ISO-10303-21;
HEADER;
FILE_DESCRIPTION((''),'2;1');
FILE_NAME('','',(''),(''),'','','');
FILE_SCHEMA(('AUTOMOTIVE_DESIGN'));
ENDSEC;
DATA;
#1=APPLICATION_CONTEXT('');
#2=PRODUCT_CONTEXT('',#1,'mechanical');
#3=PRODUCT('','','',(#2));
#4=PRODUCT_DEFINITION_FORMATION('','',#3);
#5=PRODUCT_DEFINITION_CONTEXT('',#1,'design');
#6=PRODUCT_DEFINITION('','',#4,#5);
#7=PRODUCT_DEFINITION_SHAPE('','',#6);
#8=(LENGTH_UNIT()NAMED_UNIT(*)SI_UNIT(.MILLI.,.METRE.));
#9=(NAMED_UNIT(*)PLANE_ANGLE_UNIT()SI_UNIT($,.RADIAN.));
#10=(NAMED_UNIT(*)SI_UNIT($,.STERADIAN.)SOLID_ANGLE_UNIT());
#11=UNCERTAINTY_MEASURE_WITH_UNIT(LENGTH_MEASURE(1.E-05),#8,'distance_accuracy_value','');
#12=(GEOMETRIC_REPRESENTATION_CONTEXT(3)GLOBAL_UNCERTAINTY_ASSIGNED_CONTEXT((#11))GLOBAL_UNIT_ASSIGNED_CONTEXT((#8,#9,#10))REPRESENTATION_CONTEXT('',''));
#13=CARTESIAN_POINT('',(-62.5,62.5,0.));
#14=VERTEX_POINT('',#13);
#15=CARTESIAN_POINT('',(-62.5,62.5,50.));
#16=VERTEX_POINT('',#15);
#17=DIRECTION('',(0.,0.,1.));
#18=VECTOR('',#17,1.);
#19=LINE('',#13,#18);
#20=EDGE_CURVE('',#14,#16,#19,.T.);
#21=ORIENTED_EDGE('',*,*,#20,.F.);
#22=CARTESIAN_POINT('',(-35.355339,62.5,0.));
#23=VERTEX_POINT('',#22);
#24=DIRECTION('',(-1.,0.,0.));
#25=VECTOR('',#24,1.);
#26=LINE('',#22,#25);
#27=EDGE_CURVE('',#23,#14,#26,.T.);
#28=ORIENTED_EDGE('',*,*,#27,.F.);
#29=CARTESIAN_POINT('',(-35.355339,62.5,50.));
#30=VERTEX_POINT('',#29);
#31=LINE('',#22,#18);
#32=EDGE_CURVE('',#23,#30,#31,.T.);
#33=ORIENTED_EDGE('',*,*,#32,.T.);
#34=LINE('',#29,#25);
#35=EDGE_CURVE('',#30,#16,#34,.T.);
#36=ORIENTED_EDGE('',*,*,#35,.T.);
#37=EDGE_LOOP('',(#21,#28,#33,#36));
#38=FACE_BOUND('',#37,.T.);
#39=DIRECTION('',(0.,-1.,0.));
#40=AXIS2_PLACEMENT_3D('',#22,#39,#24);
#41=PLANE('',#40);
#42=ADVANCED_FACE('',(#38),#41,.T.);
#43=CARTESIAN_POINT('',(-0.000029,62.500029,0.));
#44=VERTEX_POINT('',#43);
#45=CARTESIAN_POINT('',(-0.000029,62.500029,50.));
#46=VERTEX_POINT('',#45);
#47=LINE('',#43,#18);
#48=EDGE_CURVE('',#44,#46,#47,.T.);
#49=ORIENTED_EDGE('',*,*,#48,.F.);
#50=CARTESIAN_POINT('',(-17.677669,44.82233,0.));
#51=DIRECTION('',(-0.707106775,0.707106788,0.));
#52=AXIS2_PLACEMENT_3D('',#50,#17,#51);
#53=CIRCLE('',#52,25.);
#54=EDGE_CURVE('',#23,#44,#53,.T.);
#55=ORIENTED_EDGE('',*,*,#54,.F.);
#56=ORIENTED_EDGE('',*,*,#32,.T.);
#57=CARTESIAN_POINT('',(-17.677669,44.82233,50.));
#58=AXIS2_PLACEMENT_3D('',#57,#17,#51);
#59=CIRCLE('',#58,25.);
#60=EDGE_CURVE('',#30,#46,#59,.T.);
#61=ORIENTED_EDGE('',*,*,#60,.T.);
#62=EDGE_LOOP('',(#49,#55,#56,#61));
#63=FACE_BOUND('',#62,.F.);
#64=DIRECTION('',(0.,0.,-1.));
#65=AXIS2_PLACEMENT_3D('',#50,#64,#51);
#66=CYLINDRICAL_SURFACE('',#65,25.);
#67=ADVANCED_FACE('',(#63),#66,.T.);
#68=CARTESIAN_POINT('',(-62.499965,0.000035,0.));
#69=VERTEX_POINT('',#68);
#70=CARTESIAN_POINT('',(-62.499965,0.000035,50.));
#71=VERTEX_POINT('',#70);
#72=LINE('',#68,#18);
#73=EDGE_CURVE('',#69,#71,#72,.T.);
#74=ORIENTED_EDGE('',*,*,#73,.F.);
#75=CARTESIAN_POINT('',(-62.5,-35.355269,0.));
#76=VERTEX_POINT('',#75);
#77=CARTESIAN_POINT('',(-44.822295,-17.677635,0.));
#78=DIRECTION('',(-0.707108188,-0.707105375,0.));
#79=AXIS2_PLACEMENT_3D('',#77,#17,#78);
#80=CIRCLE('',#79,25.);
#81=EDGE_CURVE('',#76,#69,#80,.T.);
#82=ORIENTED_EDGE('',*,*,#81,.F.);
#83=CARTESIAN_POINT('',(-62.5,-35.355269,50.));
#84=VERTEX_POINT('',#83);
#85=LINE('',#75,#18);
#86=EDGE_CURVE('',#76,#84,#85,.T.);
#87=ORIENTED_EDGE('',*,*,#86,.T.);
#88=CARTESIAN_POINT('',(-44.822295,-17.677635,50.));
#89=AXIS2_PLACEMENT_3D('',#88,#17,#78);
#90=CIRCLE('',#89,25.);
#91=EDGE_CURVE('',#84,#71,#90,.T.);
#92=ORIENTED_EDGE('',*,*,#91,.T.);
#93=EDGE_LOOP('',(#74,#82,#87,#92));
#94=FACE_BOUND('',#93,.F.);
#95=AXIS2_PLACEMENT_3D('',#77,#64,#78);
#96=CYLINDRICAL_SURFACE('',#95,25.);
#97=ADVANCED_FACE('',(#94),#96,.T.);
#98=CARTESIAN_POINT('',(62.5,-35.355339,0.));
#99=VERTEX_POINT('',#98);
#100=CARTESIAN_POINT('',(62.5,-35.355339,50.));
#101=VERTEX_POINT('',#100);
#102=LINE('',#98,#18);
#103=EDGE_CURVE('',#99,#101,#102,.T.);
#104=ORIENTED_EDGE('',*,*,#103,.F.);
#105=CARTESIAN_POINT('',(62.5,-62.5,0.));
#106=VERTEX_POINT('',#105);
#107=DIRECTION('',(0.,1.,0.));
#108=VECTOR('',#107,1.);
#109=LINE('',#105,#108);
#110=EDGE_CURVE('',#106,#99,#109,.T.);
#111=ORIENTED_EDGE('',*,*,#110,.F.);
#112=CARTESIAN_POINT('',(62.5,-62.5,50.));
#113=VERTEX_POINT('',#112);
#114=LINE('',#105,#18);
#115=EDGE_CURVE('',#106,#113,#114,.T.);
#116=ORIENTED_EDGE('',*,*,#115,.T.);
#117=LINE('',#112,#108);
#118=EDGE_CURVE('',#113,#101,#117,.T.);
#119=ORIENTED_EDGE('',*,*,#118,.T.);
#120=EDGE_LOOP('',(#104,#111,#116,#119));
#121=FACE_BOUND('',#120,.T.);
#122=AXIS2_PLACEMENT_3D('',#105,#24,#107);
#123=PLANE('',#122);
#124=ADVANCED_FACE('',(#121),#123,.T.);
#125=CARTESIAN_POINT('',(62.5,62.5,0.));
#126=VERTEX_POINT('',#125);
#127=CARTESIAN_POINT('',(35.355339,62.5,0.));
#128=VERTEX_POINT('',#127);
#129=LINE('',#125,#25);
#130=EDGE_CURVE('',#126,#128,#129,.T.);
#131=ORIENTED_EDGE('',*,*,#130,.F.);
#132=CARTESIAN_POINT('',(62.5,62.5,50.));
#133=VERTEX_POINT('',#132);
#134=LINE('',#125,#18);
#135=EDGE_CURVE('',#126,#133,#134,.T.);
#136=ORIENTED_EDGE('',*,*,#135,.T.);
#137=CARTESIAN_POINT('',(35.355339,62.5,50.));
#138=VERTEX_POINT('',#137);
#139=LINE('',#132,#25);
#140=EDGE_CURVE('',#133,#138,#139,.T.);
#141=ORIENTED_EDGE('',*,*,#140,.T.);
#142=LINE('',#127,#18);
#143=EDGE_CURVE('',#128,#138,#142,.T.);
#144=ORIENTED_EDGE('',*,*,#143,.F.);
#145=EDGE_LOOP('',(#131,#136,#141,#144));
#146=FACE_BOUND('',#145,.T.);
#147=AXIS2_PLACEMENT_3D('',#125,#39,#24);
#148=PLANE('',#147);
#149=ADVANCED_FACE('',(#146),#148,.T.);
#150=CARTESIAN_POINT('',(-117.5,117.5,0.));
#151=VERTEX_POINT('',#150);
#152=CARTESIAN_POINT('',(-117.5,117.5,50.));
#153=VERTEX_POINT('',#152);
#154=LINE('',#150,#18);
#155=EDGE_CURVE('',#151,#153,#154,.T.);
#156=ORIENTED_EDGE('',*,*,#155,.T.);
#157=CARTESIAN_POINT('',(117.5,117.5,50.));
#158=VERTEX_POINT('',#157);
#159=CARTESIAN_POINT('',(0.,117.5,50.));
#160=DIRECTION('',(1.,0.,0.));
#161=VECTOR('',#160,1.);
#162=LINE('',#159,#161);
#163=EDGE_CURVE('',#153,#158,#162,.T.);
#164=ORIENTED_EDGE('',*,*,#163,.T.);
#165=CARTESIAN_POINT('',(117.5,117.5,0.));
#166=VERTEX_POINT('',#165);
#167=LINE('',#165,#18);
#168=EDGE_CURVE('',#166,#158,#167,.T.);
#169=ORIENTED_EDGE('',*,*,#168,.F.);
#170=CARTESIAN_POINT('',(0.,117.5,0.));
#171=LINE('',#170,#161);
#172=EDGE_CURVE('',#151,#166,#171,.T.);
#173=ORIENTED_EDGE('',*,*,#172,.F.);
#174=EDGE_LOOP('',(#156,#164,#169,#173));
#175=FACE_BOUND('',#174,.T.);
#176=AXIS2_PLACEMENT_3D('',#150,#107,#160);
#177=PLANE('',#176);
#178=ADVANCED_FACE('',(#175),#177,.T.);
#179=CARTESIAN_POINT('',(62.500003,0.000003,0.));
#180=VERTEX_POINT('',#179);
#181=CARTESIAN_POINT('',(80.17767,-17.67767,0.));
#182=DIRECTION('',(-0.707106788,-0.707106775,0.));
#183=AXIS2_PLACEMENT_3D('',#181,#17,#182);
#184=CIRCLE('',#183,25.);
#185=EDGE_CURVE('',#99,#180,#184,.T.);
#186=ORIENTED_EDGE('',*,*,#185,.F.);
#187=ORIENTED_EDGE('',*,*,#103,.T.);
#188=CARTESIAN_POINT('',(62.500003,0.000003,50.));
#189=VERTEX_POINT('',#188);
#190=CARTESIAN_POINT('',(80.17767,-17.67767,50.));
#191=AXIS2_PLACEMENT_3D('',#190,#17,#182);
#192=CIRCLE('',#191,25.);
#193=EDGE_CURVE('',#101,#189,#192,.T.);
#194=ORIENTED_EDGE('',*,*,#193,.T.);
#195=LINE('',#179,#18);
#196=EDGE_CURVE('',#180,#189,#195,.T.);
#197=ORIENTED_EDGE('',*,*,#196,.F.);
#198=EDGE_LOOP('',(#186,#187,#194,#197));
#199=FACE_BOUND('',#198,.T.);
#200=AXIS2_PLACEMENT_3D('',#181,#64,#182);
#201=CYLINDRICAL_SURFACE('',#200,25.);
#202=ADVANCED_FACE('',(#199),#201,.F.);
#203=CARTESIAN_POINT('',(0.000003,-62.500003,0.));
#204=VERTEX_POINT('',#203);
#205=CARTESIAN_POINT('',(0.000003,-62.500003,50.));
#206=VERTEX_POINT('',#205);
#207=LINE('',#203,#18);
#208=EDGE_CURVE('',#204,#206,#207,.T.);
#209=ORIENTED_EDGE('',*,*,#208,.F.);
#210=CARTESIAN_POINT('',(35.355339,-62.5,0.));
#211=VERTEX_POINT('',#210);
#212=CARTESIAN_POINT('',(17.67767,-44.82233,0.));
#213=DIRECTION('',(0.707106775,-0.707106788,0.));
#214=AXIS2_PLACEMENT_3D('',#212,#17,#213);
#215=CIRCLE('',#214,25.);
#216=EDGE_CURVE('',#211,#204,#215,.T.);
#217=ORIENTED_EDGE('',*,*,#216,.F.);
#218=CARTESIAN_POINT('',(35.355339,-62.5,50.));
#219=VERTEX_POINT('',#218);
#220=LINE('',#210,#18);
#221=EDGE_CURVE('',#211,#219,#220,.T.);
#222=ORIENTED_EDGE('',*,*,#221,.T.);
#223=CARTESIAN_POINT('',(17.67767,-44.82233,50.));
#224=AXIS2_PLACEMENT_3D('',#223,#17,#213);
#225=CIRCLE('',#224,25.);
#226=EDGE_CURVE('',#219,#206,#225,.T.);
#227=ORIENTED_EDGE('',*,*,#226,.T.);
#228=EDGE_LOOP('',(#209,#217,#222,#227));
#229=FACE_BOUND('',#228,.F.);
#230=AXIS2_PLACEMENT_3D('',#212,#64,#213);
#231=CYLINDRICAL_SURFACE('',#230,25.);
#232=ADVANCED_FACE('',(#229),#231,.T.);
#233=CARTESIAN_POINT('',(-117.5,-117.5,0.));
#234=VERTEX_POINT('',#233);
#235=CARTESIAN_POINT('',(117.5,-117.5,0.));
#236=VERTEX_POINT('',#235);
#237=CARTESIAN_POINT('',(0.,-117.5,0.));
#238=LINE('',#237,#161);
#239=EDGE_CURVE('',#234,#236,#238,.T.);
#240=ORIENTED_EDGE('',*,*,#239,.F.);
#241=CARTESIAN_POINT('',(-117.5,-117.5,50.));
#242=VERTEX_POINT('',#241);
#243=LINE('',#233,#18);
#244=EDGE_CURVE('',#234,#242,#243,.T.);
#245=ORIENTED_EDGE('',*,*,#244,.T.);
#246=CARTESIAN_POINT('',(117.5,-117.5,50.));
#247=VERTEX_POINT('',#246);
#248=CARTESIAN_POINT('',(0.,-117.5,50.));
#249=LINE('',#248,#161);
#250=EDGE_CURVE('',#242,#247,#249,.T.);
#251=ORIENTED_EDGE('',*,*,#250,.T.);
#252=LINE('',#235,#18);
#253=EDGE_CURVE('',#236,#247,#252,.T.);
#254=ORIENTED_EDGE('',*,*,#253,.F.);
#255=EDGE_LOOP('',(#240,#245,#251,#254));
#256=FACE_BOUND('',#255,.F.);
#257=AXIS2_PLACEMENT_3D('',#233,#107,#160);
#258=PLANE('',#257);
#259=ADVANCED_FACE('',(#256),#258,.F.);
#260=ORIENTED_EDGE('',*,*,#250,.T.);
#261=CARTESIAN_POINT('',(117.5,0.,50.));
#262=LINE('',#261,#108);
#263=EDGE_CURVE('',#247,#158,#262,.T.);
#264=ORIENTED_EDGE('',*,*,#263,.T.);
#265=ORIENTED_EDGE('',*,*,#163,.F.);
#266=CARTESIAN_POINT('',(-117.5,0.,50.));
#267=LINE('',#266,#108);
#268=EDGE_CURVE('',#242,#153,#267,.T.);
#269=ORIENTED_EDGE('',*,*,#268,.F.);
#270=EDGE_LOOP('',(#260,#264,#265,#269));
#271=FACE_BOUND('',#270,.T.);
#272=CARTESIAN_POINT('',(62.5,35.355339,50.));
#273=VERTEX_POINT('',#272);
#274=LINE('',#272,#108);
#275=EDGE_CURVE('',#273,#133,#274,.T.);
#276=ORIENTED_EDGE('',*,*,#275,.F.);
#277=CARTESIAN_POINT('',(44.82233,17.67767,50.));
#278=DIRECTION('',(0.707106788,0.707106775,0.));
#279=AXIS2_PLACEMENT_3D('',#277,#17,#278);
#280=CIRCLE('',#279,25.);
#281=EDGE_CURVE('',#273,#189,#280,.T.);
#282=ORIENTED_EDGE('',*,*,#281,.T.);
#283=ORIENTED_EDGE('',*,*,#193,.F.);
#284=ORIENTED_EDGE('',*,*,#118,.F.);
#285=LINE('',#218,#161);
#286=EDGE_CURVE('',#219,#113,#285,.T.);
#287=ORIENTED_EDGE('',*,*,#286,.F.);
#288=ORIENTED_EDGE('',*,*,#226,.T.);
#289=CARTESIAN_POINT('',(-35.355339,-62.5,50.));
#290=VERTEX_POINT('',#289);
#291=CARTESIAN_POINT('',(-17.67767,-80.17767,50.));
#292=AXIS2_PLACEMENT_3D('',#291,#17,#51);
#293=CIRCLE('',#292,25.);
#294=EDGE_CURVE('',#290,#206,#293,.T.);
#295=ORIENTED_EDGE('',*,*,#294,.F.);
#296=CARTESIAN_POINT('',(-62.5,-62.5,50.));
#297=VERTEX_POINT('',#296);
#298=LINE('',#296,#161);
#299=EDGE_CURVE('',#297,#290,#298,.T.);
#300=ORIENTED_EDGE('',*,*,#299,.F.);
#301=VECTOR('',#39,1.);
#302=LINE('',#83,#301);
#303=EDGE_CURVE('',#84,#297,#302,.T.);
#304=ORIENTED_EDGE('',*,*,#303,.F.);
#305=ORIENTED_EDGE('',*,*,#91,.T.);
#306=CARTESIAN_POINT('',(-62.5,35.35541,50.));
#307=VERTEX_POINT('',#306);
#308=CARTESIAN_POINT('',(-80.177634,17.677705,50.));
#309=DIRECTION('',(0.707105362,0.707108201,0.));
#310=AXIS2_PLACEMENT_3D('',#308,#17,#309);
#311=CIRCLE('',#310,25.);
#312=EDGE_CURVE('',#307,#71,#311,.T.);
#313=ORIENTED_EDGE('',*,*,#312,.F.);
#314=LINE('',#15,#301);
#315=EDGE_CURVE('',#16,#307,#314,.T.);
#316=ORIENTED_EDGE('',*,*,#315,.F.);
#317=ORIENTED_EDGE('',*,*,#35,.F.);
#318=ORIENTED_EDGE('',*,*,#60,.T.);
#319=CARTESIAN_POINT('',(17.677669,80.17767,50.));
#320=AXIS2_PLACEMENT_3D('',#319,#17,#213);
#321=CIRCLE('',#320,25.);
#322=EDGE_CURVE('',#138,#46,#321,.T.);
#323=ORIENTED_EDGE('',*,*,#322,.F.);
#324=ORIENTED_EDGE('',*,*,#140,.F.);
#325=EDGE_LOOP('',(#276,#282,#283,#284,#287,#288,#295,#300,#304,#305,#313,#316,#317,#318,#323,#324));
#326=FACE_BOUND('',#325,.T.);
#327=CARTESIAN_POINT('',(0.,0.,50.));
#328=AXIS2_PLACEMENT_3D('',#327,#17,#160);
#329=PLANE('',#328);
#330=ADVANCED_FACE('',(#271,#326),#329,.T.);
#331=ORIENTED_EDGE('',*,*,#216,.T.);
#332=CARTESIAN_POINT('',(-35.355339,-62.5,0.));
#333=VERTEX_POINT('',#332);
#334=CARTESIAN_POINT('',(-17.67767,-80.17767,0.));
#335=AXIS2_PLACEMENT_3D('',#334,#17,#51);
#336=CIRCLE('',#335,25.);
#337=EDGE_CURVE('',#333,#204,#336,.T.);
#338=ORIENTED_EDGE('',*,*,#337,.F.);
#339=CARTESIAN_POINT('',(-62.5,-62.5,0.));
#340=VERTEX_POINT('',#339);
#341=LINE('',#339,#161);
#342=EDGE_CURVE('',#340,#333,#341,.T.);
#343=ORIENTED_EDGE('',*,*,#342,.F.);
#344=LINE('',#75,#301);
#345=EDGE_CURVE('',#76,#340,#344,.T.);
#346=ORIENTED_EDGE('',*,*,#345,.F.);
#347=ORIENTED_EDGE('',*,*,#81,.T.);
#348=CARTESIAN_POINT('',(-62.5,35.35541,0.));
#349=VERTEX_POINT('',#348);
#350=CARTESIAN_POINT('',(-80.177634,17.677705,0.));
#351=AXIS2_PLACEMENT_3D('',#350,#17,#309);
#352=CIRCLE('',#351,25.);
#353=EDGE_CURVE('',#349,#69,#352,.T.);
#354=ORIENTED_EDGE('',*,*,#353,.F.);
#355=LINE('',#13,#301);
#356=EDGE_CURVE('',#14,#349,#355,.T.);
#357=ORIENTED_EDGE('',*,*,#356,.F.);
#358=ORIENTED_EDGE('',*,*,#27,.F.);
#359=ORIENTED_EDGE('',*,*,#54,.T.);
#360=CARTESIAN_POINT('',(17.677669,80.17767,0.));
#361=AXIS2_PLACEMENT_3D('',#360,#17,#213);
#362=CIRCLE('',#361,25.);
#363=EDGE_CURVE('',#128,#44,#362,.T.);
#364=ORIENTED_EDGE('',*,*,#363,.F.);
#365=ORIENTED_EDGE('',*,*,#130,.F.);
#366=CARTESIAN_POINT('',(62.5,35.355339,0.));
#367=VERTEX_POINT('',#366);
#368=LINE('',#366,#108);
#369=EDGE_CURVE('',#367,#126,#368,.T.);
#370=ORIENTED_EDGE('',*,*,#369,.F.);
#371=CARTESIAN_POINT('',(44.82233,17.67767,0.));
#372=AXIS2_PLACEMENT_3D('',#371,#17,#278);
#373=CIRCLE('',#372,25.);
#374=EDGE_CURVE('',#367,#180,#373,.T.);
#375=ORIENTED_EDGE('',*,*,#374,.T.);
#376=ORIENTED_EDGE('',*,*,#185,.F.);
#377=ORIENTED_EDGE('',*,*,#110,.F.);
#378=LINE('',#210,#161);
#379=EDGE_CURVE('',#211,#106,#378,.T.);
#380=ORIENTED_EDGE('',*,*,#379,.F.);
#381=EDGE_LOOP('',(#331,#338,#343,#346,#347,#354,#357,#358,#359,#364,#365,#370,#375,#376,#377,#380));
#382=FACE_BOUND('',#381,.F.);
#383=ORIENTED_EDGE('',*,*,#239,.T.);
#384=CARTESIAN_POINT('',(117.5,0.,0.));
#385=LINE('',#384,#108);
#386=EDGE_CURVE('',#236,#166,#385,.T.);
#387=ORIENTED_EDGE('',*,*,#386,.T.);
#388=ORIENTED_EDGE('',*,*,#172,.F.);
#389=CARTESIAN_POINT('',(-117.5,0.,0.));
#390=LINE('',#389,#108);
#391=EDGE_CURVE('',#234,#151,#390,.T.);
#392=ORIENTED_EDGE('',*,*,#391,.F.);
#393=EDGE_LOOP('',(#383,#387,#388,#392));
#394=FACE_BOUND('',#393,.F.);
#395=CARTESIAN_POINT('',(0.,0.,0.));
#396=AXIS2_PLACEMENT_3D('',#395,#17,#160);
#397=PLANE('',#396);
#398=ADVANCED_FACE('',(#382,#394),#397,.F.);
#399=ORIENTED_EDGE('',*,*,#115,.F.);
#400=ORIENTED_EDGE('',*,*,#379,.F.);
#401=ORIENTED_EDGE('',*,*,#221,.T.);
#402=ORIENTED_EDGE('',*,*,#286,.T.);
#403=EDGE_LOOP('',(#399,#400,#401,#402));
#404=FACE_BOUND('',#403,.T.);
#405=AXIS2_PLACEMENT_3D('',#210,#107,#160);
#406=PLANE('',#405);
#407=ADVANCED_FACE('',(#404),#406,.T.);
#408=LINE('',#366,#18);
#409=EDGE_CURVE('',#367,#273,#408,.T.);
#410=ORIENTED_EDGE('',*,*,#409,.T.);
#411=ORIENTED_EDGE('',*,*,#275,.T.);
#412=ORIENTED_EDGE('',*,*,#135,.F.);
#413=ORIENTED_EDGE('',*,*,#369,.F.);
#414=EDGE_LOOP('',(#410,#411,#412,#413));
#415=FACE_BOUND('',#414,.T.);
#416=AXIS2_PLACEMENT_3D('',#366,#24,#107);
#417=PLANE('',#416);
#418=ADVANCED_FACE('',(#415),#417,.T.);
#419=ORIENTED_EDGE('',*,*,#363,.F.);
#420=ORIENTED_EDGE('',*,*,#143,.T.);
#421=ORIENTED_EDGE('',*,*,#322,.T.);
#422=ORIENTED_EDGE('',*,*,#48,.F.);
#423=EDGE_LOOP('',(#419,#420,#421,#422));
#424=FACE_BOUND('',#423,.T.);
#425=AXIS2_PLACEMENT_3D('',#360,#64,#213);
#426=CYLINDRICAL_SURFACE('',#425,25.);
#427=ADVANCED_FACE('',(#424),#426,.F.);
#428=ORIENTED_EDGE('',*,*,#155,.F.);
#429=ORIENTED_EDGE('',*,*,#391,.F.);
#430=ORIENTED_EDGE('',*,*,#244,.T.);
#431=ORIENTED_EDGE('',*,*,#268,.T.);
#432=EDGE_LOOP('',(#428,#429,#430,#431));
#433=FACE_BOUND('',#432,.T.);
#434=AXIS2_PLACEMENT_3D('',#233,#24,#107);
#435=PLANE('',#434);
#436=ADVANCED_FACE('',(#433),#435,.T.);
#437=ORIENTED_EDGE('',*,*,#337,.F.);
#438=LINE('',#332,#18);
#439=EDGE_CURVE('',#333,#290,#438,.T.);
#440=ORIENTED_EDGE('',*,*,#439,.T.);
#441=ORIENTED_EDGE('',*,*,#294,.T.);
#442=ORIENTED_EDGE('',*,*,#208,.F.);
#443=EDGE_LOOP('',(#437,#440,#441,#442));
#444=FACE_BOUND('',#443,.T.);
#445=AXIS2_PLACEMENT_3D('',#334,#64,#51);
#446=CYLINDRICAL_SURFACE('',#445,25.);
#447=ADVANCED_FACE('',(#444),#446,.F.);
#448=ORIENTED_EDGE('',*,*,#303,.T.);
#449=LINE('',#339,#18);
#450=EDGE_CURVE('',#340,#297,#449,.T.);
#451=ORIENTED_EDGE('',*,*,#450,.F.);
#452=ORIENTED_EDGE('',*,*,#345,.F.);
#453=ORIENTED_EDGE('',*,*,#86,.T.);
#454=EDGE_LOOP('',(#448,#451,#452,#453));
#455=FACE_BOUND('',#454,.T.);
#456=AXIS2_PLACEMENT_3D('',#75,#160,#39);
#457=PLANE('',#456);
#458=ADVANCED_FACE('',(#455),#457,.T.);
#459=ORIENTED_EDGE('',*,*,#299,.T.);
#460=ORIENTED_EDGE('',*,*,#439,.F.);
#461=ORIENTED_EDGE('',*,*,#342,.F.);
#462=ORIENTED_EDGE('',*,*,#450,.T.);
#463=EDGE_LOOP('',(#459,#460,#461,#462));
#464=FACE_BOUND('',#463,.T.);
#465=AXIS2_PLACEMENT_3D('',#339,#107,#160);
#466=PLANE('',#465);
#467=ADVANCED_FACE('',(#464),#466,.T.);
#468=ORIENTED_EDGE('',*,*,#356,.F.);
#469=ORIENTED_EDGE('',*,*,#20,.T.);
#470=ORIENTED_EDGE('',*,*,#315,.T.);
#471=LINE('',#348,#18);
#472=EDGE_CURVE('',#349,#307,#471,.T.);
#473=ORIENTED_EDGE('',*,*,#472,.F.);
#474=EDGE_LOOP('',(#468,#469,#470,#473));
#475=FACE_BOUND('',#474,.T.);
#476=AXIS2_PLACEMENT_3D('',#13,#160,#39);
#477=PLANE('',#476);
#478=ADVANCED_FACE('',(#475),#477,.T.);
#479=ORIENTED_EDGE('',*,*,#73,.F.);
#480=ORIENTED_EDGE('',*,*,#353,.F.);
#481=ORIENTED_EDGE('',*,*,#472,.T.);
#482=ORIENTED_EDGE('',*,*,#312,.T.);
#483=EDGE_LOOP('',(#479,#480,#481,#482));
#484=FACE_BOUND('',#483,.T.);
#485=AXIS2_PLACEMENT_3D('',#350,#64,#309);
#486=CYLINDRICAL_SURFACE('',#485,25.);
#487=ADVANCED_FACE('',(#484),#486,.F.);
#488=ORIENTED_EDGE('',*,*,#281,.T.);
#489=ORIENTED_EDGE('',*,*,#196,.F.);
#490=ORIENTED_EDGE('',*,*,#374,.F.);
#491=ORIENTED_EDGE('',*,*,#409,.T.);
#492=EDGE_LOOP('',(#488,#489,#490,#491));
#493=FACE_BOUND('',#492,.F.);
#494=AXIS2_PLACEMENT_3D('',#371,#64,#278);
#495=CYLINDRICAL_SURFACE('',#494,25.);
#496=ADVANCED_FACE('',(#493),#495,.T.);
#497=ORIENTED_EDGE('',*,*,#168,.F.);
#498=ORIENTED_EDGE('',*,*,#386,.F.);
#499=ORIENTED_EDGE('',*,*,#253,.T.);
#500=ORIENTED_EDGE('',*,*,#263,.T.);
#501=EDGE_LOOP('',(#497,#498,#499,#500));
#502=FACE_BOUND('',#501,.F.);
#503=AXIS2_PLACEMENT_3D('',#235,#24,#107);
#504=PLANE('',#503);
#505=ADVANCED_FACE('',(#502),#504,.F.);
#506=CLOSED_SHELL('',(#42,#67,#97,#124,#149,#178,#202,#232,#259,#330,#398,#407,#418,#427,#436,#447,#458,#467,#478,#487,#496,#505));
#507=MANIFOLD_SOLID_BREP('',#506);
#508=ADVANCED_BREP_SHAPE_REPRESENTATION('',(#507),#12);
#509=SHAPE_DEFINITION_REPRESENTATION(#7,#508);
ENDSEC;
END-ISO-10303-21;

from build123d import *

# Parameters (mm, degrees)
SKETCH_W  = 235
SKETCH_H  = 235
PAD_DEPTH = 50


with BuildPart() as part:
    # Sketch → Pad (new body)
    with BuildSketch(Plane.XY):
        Rectangle(SKETCH_W, SKETCH_H)
        with BuildLine():
            Line((62.5, -62.5), (62.5, -35.355339))
            ThreePointArc((62.5, -35.355339), (105.17767, -17.677671), (62.500003, 3e-06))
            ThreePointArc((62.5, 35.355339), (19.82233, 17.677668), (62.500003, 3e-06))
            Line((62.5, 35.355339), (62.5, 62.5))
            Line((62.5, 62.5), (35.355339, 62.5))
            ThreePointArc((35.355339, 62.5), (17.67769, 105.17767), (-2.9e-05, 62.500029))
            ThreePointArc((-35.355339, 62.5), (-17.677649, 19.82233), (-2.9e-05, 62.500029))
            Line((-35.355339, 62.5), (-62.5, 62.5))
            Line((-62.5, 62.5), (-62.5, 35.35541))
            ThreePointArc((-62.5, 35.35541), (-105.177634, 17.67768), (-62.499965, 3.5e-05))
            ThreePointArc((-62.5, -35.355269), (-19.822295, -17.677659), (-62.499965, 3.5e-05))
            Line((-62.5, -35.355269), (-62.5, -62.5))
            Line((-62.5, -62.5), (-35.355339, -62.5))
            ThreePointArc((-35.355339, -62.5), (-17.677671, -105.17767), (3e-06, -62.500003))
            ThreePointArc((35.355339, -62.5), (17.677668, -19.82233), (3e-06, -62.500003))
            Line((35.355339, -62.5), (62.5, -62.5))
        make_face(mode=Mode.SUBTRACT)
    extrude(amount=PAD_DEPTH)


solid = part.part
